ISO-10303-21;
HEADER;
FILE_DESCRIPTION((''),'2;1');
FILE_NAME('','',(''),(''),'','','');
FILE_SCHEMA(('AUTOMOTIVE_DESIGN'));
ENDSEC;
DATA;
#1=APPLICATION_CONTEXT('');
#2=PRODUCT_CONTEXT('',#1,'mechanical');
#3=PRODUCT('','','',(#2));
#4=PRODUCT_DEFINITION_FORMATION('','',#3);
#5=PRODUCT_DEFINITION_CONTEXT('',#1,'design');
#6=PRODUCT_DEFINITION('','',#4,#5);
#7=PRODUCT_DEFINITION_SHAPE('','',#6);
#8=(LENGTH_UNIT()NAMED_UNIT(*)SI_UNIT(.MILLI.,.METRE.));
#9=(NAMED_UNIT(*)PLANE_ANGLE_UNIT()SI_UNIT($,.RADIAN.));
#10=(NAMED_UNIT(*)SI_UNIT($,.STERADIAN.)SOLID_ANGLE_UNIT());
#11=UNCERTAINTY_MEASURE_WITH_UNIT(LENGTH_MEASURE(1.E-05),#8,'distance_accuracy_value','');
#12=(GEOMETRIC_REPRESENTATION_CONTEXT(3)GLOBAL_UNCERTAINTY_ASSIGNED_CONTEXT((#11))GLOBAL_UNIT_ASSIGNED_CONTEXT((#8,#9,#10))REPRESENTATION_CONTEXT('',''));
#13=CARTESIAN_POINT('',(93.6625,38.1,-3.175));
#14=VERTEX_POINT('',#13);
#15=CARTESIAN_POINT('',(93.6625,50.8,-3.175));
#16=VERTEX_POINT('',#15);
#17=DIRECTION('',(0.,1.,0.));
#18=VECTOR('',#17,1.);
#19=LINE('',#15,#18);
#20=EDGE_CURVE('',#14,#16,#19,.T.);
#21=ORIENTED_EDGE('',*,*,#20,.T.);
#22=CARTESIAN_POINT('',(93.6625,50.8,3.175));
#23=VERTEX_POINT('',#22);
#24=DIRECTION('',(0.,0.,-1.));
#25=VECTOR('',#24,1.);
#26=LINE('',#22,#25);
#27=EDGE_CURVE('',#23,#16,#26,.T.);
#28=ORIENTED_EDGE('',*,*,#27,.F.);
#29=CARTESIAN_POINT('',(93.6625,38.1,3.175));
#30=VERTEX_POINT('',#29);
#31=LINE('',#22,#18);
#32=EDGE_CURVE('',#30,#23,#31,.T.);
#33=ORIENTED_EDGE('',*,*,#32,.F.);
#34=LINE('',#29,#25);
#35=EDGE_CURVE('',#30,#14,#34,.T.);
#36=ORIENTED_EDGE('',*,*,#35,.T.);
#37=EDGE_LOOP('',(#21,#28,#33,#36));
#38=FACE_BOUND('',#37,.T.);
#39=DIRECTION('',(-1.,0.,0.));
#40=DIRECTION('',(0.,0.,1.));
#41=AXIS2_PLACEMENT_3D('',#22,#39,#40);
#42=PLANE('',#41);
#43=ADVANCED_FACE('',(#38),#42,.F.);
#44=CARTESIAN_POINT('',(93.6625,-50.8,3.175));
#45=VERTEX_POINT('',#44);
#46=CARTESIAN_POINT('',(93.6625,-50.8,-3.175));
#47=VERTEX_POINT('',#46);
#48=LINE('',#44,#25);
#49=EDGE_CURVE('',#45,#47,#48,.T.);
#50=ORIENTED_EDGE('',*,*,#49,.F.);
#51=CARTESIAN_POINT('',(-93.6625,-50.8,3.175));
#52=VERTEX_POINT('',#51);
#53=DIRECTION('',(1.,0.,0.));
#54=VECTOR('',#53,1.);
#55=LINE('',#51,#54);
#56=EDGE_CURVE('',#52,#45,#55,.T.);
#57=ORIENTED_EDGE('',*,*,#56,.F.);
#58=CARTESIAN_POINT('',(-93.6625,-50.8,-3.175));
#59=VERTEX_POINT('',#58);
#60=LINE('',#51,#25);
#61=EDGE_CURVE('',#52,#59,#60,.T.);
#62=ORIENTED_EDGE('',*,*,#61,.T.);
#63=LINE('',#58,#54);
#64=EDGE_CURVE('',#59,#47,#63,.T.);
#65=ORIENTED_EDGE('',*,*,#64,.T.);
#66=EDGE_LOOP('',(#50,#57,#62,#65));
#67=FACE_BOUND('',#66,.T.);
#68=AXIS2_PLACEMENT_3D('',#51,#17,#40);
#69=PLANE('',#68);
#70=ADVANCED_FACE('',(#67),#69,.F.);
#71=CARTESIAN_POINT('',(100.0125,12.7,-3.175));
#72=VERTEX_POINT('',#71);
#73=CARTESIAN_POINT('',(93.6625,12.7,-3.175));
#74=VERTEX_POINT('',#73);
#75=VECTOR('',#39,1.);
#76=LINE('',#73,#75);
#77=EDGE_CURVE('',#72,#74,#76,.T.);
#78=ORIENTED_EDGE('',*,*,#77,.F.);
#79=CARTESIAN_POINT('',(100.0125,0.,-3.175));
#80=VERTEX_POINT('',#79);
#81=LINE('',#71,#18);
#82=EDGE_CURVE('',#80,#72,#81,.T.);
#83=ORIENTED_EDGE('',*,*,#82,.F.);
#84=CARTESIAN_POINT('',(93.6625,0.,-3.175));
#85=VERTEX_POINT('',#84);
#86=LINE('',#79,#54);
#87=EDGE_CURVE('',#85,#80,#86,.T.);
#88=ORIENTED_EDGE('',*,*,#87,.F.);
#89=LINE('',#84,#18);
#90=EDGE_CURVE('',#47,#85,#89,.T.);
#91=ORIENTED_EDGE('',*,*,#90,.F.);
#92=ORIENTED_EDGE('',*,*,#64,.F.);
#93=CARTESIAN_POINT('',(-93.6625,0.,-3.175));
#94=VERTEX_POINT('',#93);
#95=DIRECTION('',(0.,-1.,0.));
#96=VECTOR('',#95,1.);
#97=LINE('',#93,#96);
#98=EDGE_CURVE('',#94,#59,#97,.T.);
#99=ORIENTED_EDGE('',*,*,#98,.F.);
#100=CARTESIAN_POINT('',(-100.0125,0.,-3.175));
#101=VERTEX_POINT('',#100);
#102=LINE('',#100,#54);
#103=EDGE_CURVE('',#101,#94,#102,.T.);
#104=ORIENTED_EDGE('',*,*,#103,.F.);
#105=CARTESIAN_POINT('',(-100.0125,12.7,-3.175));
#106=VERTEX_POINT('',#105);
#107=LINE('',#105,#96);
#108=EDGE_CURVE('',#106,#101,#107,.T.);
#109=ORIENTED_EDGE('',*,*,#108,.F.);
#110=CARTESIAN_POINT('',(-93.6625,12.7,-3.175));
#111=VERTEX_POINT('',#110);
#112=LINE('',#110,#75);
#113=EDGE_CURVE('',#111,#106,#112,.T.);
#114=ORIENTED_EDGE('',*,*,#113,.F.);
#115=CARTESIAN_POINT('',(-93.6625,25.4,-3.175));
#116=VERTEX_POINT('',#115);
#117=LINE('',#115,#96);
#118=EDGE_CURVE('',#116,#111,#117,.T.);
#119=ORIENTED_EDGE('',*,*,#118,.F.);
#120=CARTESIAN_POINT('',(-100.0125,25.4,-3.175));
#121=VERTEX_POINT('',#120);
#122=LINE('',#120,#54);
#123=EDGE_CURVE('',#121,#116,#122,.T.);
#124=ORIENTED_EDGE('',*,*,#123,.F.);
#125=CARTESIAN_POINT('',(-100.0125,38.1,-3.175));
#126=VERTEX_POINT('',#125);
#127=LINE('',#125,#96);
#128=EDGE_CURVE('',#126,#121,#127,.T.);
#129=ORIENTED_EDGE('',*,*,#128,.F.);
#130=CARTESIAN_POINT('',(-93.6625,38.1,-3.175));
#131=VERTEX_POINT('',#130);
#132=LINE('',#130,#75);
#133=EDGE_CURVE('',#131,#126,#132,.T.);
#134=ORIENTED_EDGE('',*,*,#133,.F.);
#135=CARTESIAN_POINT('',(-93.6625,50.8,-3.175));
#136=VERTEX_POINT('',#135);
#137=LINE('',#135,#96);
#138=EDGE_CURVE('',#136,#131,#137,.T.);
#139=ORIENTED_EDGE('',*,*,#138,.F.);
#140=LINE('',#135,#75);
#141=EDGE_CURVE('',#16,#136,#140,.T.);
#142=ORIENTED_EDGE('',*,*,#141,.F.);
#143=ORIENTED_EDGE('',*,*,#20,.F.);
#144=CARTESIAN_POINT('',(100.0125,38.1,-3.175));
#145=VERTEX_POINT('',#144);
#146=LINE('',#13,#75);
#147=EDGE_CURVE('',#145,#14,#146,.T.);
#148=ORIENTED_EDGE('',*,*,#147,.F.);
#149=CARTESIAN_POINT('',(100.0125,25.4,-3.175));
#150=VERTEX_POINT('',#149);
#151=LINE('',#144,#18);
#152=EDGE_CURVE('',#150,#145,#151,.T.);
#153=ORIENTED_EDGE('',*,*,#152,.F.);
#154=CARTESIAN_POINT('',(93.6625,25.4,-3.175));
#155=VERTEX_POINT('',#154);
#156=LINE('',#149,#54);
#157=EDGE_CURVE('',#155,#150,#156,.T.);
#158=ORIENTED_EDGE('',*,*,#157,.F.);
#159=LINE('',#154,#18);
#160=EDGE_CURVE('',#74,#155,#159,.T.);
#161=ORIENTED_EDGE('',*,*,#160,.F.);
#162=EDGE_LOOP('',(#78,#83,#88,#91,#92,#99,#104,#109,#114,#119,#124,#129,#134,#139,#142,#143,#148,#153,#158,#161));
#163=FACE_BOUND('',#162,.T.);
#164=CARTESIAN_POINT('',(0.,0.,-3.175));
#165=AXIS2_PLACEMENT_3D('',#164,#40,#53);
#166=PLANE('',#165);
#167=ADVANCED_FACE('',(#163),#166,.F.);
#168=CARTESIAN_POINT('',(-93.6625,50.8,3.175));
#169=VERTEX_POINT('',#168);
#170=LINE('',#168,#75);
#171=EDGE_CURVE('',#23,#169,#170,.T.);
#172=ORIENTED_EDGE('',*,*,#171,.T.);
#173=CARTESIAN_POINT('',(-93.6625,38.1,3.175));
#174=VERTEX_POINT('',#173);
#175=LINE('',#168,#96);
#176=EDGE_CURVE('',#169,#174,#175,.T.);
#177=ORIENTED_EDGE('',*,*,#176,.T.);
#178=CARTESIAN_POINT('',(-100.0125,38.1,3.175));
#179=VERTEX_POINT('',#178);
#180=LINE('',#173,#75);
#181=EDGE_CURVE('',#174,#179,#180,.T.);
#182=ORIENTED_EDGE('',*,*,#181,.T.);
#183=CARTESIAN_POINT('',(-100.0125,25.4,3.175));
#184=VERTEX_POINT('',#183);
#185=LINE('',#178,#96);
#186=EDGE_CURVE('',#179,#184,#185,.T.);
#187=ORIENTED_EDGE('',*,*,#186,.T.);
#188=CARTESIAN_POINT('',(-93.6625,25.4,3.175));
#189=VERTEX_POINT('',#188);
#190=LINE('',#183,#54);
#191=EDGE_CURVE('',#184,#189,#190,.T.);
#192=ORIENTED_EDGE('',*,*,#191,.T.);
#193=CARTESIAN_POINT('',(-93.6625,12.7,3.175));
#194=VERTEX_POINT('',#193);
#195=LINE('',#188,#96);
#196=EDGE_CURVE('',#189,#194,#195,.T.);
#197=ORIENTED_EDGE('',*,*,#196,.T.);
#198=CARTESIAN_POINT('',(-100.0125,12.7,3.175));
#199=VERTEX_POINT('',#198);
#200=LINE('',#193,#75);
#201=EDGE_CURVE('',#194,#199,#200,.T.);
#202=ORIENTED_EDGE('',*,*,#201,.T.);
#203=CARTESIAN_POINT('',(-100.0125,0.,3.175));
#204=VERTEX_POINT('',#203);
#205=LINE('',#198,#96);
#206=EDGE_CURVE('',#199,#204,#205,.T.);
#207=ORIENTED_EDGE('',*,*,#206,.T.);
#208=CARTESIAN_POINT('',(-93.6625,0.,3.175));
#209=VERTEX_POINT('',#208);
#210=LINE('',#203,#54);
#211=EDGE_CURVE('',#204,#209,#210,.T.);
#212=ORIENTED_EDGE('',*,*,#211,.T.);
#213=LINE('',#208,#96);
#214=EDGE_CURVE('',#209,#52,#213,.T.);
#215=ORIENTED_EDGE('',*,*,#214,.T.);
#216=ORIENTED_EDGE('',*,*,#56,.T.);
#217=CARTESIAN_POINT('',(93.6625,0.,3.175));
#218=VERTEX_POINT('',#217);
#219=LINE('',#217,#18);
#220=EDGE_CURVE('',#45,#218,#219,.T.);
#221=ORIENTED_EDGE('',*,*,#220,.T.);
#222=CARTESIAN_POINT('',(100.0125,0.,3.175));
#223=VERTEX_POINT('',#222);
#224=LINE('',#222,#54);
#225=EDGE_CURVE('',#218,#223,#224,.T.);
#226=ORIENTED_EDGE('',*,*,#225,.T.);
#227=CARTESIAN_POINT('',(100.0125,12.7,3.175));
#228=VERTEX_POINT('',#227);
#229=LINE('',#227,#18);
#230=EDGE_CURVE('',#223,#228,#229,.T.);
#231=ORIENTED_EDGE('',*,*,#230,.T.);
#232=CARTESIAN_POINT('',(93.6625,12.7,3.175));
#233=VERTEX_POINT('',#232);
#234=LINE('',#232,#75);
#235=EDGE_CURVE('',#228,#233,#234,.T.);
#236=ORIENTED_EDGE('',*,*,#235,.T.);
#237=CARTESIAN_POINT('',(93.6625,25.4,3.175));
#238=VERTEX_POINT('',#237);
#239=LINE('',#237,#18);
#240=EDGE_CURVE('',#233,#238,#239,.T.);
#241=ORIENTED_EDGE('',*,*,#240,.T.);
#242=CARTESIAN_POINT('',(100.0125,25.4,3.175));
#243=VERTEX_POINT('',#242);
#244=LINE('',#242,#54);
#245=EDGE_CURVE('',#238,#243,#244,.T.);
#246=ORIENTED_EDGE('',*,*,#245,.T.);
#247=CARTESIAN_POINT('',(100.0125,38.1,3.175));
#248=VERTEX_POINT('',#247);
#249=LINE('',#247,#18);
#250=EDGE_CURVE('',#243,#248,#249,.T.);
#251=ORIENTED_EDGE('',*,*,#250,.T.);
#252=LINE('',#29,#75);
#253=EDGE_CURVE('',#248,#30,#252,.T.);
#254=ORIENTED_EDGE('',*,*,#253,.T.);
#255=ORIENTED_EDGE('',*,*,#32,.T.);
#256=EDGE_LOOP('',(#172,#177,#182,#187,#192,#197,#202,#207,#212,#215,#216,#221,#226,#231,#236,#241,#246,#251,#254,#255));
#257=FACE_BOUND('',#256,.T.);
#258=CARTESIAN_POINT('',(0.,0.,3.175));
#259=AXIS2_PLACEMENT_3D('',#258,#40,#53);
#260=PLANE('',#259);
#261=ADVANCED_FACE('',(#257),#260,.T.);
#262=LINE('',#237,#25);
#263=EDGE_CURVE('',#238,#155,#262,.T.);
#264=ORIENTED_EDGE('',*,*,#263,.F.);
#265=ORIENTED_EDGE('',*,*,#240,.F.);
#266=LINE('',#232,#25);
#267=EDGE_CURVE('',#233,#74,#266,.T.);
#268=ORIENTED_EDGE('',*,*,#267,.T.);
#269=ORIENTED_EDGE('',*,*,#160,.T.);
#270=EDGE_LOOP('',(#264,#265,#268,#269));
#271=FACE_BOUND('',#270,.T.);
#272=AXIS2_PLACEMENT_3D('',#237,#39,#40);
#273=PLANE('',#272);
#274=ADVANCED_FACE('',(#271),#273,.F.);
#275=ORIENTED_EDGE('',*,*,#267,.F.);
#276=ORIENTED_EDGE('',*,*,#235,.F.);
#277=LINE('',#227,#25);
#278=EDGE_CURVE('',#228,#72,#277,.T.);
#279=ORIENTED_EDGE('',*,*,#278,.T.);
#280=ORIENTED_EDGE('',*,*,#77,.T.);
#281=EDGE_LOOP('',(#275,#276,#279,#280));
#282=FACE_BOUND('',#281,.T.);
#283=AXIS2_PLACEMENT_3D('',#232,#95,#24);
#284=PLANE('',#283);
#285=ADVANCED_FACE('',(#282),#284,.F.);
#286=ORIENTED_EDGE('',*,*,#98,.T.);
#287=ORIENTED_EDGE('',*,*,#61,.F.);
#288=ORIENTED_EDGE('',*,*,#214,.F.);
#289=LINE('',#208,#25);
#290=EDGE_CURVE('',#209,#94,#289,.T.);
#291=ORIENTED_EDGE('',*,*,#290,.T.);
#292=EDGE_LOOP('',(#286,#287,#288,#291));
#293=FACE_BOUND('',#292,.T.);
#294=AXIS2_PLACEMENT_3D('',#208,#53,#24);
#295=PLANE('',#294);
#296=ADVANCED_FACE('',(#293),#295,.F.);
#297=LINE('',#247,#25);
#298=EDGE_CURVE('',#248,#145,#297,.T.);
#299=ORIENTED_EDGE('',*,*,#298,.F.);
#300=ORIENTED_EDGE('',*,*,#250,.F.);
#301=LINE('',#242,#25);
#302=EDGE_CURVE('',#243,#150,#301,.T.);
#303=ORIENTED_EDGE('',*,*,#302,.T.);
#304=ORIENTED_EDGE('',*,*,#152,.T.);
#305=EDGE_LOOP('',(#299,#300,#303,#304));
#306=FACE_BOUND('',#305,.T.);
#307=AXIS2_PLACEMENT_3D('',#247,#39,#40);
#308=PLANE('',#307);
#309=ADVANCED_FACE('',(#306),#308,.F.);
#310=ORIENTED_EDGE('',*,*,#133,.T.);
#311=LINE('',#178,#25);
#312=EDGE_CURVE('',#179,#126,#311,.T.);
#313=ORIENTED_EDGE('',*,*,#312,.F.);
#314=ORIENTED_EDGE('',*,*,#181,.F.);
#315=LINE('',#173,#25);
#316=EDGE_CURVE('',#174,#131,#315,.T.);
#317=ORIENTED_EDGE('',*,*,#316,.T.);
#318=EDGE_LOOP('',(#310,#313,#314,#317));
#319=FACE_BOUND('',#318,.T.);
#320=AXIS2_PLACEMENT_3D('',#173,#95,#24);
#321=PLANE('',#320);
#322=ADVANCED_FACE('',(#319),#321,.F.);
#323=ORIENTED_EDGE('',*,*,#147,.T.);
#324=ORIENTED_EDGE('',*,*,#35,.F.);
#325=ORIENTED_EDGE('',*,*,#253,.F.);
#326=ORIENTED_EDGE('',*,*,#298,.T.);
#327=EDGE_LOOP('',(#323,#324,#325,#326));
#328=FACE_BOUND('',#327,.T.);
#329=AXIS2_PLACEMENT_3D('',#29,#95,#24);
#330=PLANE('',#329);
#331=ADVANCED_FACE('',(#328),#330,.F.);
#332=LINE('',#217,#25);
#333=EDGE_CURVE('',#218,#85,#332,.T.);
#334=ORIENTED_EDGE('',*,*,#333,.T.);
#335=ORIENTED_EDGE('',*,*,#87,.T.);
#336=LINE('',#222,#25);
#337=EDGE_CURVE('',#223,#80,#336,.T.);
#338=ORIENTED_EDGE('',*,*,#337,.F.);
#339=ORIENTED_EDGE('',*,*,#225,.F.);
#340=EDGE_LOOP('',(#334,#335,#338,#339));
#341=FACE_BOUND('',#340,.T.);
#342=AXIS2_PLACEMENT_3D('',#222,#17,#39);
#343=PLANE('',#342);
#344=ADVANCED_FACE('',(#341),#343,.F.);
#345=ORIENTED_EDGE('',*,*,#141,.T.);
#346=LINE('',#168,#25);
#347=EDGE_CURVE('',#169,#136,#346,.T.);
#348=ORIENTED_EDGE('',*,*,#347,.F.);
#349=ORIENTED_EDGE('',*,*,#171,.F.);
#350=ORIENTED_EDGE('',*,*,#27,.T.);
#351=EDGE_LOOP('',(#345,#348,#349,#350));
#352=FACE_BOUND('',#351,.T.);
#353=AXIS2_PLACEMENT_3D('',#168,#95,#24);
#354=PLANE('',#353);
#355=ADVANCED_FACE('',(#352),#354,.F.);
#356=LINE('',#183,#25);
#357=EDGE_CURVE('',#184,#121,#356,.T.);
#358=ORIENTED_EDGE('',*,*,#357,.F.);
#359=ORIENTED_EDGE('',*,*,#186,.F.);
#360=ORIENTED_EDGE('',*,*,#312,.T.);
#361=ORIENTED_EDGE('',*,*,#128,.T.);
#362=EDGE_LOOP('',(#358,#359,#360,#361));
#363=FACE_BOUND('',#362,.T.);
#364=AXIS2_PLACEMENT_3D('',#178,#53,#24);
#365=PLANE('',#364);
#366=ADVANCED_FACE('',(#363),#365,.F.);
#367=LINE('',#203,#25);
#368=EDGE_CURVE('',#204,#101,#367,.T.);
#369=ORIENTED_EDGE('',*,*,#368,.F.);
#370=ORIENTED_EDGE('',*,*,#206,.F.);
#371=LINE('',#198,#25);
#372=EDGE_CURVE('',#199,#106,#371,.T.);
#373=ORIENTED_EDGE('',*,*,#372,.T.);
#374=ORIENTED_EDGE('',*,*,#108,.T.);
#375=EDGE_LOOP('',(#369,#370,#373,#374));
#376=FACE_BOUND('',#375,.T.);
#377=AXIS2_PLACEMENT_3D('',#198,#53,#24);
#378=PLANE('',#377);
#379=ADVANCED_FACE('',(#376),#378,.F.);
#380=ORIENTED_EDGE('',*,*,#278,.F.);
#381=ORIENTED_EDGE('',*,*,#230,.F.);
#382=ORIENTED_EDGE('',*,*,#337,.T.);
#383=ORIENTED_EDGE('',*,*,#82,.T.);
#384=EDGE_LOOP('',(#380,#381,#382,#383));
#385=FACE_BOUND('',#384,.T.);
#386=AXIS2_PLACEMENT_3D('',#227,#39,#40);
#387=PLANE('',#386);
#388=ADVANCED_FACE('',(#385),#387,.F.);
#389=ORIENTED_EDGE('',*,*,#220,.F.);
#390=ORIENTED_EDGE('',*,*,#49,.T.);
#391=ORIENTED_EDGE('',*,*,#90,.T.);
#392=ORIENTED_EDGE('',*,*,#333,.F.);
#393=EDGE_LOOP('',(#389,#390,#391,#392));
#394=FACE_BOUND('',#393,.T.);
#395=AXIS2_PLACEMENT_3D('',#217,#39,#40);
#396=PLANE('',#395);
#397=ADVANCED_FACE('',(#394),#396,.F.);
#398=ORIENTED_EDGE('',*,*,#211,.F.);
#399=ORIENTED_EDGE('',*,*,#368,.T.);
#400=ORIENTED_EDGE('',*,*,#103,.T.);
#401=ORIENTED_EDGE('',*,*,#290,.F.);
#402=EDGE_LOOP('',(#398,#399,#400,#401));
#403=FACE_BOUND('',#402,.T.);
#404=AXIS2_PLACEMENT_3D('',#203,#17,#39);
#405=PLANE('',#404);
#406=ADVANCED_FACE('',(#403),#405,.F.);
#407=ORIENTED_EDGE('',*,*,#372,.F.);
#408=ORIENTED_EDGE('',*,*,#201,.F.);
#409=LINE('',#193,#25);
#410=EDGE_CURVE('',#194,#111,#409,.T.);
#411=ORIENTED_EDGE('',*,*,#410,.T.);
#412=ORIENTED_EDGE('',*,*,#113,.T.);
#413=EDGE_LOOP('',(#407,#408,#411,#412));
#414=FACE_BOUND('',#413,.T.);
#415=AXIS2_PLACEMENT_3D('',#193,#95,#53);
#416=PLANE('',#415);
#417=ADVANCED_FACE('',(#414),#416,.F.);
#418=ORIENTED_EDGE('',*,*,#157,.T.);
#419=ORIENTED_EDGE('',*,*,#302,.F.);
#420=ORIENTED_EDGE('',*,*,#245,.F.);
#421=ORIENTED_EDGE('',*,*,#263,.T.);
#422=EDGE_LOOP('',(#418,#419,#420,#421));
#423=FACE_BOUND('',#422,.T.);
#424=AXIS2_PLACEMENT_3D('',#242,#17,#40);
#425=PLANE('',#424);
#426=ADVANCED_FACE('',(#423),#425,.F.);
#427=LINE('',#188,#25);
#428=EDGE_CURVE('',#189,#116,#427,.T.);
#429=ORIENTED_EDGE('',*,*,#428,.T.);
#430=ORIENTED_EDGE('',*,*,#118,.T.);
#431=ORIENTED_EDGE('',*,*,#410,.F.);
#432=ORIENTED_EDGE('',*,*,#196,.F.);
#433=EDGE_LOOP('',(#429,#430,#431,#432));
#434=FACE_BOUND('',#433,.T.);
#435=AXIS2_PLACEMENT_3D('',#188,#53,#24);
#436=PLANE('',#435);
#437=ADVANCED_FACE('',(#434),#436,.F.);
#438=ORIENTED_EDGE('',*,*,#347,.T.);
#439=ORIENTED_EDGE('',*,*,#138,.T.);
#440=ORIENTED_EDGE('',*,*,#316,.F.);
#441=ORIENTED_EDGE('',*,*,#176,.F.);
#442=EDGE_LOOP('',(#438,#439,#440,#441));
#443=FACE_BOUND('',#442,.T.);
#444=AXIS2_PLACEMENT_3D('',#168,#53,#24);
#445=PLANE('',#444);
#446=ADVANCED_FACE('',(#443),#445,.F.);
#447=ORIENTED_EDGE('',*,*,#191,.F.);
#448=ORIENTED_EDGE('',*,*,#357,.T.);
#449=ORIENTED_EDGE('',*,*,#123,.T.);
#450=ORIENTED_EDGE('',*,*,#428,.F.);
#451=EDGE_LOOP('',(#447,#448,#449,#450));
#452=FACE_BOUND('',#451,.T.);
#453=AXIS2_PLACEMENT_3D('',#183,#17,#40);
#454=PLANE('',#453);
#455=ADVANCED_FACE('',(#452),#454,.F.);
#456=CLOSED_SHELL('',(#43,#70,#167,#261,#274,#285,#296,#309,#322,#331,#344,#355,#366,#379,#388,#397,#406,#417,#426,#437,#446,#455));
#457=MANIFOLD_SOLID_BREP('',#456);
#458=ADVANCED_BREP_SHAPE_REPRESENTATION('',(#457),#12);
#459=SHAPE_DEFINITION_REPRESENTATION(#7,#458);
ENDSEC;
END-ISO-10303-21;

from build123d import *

# Parameters (mm, degrees)
BOSS_EXTRUDE1_DEPTH = 3.175


with BuildPart() as part:
    # Sketch1 → Boss-Extrude1 (new, symmetric)
    with BuildSketch(Plane.XY):
        Polygon((-93.6625, 50.8), (-93.6625, 38.1), (-100.0125, 38.1), (-100.0125, 25.4), (-93.6625, 25.4), (-93.6625, 12.7), (-100.0125, 12.7), (-100.0125, 0), (-93.6625, 0), (-93.6625, -50.8), (93.6625, -50.8), (93.6625, 0), (100.0125, 0), (100.0125, 12.7), (93.6625, 12.7), (93.6625, 25.4), (100.0125, 25.4), (100.0125, 38.1), (93.6625, 38.1), (93.6625, 50.8), align=None)
    extrude(amount=BOSS_EXTRUDE1_DEPTH, both=True)


solid = part.part
